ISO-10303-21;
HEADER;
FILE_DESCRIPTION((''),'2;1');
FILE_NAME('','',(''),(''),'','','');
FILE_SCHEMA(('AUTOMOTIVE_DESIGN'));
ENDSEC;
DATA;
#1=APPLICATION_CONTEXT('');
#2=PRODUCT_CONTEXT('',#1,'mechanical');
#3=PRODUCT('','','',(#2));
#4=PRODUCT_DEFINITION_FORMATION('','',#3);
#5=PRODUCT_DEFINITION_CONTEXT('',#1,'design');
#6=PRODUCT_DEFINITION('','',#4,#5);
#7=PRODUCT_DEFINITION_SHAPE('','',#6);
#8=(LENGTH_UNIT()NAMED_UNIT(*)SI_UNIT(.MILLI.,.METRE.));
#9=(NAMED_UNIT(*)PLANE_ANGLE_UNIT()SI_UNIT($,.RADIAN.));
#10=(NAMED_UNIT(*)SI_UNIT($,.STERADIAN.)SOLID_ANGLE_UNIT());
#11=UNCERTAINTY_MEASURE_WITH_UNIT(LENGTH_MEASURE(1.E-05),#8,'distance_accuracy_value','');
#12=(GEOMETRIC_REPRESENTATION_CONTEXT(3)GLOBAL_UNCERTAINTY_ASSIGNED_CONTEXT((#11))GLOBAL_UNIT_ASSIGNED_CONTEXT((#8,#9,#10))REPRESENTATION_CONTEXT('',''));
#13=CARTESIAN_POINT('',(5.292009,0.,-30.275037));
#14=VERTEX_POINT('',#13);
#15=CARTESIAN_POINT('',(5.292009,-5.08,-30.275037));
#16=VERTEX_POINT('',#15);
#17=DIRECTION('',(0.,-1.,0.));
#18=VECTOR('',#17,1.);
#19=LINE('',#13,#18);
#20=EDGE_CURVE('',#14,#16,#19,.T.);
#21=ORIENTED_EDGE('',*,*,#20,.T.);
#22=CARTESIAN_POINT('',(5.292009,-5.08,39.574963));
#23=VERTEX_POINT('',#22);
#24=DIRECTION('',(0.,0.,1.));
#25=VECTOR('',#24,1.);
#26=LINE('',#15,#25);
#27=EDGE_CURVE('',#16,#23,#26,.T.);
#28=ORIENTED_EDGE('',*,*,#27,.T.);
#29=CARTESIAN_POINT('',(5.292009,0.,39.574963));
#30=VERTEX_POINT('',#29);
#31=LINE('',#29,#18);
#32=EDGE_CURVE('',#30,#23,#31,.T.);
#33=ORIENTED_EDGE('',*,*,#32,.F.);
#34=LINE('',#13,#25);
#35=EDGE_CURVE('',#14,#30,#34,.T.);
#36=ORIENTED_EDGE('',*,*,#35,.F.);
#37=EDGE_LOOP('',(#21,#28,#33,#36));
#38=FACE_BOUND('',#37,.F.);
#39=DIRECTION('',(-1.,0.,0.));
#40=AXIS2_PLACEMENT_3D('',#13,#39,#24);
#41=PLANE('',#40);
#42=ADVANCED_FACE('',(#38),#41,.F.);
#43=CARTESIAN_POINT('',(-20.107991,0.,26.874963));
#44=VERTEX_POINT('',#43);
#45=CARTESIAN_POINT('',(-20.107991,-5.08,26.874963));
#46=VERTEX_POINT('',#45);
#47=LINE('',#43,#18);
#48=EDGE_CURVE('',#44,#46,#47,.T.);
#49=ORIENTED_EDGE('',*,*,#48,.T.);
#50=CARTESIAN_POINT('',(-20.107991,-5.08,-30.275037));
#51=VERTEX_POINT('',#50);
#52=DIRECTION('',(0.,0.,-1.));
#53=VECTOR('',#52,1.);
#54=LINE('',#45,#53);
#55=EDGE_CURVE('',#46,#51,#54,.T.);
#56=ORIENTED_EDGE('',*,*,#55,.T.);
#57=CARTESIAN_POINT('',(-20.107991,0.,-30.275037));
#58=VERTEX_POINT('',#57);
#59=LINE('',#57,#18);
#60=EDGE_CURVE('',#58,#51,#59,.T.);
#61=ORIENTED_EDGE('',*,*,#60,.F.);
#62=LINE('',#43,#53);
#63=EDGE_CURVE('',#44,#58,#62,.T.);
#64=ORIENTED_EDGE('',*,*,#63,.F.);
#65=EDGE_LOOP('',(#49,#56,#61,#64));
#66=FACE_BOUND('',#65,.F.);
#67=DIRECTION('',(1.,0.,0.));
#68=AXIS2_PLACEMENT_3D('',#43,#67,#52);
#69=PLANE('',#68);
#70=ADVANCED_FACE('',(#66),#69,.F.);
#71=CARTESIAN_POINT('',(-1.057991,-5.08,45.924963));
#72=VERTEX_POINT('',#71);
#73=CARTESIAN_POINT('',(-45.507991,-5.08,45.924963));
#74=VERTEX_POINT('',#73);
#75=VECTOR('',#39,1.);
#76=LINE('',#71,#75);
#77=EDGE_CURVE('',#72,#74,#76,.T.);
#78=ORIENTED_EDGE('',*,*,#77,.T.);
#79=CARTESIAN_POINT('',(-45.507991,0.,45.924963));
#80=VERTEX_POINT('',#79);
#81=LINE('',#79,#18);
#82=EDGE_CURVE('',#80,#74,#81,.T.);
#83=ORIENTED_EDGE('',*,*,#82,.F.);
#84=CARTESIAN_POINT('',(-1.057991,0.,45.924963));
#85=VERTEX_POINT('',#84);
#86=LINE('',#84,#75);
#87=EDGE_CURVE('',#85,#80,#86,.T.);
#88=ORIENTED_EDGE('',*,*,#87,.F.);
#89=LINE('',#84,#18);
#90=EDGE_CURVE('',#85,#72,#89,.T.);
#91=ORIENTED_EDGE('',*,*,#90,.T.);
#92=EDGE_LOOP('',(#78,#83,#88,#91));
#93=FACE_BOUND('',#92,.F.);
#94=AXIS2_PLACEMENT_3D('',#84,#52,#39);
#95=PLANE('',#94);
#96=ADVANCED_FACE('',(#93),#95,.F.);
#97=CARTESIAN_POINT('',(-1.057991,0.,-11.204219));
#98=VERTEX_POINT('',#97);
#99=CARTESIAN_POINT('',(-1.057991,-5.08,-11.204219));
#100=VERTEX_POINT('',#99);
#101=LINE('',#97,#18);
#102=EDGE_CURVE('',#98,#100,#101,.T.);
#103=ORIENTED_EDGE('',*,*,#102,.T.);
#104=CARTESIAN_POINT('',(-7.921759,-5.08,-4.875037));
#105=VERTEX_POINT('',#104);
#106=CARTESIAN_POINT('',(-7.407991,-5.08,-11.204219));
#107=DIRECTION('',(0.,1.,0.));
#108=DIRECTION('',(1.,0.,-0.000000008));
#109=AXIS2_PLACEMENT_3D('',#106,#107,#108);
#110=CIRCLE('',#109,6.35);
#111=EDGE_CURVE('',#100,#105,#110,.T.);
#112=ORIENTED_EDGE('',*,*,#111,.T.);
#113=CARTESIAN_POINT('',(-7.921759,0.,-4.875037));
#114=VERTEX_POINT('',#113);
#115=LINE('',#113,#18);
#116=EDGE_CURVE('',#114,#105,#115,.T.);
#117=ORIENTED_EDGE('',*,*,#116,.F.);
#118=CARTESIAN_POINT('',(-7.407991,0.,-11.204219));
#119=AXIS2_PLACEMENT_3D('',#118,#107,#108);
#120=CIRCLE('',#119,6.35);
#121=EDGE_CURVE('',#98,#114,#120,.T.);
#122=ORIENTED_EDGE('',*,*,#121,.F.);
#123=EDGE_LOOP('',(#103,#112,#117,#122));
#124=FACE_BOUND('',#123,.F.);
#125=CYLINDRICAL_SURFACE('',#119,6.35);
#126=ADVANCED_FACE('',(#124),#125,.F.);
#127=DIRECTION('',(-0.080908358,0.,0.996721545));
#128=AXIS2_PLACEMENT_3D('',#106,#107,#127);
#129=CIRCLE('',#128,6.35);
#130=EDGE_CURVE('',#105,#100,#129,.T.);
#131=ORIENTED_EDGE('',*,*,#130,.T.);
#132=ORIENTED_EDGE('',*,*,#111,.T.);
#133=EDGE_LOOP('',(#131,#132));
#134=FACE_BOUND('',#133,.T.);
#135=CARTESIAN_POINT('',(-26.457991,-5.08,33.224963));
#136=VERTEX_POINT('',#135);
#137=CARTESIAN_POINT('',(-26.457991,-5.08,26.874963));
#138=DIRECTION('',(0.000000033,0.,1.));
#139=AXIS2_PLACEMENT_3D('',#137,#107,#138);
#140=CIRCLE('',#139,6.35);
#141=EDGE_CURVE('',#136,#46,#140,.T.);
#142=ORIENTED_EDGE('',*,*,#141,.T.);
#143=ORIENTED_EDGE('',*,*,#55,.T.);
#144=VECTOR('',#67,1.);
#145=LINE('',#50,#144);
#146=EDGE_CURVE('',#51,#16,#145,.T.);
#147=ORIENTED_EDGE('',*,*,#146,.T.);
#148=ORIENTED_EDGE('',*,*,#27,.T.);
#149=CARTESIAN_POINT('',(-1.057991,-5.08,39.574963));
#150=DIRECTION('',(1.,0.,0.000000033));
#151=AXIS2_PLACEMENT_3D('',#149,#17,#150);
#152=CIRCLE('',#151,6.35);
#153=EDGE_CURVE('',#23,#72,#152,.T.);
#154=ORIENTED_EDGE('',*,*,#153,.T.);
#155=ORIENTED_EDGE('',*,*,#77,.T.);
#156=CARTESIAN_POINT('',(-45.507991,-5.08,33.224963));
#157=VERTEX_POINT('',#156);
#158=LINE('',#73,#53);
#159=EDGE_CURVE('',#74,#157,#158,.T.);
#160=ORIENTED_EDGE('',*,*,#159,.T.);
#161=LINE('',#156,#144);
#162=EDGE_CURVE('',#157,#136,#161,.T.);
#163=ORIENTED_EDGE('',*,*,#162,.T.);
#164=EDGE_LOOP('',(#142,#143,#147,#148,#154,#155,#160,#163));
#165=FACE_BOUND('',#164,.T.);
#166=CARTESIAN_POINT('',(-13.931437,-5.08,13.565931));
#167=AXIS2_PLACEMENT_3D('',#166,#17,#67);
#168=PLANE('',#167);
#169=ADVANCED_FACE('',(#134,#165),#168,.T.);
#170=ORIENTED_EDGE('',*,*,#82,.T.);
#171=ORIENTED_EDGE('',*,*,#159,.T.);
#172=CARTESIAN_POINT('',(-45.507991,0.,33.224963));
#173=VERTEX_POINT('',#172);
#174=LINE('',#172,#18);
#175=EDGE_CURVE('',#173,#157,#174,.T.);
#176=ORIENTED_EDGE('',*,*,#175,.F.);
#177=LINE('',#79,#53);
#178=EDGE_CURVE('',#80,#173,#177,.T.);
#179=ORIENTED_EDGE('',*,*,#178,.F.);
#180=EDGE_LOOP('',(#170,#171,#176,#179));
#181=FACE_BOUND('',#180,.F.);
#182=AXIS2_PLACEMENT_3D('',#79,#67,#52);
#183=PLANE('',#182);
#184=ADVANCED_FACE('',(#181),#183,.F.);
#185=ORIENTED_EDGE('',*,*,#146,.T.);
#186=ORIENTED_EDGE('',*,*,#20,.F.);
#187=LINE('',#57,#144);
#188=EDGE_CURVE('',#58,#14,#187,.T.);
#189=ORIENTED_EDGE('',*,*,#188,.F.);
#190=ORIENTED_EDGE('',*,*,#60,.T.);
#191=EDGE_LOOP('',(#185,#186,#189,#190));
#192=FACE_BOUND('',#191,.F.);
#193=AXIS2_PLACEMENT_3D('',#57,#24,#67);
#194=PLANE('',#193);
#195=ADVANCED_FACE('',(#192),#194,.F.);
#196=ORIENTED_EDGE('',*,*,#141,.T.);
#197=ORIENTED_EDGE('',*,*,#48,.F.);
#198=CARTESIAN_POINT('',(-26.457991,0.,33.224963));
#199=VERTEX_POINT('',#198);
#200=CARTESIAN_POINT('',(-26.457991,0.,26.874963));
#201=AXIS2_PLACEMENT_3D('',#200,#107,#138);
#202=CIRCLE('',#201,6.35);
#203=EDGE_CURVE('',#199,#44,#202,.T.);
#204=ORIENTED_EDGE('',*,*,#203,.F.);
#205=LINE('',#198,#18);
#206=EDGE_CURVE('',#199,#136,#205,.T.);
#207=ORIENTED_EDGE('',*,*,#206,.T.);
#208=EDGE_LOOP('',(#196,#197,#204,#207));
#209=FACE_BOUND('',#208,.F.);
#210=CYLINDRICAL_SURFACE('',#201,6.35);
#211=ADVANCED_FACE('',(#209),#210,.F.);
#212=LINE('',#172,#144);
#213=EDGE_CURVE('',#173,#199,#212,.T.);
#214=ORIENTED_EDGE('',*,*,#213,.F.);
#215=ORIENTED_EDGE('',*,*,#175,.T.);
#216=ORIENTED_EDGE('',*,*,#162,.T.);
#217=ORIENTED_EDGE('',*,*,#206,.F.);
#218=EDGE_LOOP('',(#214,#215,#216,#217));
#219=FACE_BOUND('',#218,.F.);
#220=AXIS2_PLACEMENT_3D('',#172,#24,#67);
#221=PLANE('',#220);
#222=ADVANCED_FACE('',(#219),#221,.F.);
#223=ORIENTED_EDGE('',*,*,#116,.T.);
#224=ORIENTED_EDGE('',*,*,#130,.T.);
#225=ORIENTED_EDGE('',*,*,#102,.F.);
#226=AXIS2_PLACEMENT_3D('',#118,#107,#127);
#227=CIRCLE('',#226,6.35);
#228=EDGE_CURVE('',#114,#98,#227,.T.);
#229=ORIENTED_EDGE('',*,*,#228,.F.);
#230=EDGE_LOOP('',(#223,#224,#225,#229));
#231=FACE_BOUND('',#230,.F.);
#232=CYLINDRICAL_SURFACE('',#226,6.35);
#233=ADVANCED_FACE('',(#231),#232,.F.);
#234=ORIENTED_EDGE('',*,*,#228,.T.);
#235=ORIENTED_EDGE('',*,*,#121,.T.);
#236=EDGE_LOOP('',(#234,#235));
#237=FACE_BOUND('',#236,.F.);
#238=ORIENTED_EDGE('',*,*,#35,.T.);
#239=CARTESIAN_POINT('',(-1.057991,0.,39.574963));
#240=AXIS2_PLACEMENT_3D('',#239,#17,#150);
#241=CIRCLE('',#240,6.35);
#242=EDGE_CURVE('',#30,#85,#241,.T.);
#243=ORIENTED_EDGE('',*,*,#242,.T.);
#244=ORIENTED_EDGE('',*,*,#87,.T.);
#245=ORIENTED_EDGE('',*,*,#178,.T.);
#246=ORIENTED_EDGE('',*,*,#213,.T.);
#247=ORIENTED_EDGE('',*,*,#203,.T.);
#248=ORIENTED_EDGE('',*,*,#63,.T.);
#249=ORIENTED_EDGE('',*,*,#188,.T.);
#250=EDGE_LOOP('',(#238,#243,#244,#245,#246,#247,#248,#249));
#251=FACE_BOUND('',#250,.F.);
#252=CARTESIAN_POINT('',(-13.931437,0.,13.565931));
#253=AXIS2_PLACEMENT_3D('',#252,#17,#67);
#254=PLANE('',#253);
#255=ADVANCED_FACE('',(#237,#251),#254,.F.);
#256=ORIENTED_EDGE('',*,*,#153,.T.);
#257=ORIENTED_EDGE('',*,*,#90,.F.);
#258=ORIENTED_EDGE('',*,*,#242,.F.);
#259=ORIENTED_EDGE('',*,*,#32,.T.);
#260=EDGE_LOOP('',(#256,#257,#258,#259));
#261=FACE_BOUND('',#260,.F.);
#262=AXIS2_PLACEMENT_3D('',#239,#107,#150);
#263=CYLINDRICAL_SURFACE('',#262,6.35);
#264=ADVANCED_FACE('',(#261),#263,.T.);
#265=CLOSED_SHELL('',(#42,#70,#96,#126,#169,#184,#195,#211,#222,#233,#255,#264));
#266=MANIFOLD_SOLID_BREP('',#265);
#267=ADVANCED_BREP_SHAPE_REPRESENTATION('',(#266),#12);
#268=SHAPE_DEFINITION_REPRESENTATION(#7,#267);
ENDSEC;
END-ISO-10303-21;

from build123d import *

# Parameters (mm, degrees)
F1_DEPTH = 5.08


with BuildPart() as f1:
    # F0 (on Front) → F1 (new body)
    with BuildSketch(Plane.XZ):
        with BuildLine():
            Line((-20.107991, 45.924963), (-45.507991, 45.924963))
            Line((-45.507991, 45.924963), (-45.507991, 33.224963))
            Line((-45.507991, 33.224963), (-26.457991, 33.224963))
            ThreePointArc((-26.457991, 33.224963), (-21.967863, 31.365091), (-20.107991, 26.874963))
            Line((-20.107991, 26.874963), (-20.107991, -30.275037))
            Line((-20.107991, -30.275037), (5.292009, -30.275037))
            Line((5.292009, -30.275037), (5.292009, 39.574963))
            ThreePointArc((5.292009, 39.574963), (3.432137, 44.065091), (-1.057991, 45.924963))
            Line((-1.057991, 45.924963), (-7.921759, 45.924963))
            Line((-7.921759, 45.924963), (-20.107991, 45.924963))
        make_face()
        with BuildLine():
            ThreePointArc((-1.057991, -11.204219), (-11.712644, -15.872459), (-7.921759, -4.875037))
            ThreePointArc((-7.921759, -4.875037), (-3.103338, -6.535979), (-1.057991, -11.204219))
        make_face(mode=Mode.SUBTRACT)
    extrude(amount=F1_DEPTH)


solid = f1.part
